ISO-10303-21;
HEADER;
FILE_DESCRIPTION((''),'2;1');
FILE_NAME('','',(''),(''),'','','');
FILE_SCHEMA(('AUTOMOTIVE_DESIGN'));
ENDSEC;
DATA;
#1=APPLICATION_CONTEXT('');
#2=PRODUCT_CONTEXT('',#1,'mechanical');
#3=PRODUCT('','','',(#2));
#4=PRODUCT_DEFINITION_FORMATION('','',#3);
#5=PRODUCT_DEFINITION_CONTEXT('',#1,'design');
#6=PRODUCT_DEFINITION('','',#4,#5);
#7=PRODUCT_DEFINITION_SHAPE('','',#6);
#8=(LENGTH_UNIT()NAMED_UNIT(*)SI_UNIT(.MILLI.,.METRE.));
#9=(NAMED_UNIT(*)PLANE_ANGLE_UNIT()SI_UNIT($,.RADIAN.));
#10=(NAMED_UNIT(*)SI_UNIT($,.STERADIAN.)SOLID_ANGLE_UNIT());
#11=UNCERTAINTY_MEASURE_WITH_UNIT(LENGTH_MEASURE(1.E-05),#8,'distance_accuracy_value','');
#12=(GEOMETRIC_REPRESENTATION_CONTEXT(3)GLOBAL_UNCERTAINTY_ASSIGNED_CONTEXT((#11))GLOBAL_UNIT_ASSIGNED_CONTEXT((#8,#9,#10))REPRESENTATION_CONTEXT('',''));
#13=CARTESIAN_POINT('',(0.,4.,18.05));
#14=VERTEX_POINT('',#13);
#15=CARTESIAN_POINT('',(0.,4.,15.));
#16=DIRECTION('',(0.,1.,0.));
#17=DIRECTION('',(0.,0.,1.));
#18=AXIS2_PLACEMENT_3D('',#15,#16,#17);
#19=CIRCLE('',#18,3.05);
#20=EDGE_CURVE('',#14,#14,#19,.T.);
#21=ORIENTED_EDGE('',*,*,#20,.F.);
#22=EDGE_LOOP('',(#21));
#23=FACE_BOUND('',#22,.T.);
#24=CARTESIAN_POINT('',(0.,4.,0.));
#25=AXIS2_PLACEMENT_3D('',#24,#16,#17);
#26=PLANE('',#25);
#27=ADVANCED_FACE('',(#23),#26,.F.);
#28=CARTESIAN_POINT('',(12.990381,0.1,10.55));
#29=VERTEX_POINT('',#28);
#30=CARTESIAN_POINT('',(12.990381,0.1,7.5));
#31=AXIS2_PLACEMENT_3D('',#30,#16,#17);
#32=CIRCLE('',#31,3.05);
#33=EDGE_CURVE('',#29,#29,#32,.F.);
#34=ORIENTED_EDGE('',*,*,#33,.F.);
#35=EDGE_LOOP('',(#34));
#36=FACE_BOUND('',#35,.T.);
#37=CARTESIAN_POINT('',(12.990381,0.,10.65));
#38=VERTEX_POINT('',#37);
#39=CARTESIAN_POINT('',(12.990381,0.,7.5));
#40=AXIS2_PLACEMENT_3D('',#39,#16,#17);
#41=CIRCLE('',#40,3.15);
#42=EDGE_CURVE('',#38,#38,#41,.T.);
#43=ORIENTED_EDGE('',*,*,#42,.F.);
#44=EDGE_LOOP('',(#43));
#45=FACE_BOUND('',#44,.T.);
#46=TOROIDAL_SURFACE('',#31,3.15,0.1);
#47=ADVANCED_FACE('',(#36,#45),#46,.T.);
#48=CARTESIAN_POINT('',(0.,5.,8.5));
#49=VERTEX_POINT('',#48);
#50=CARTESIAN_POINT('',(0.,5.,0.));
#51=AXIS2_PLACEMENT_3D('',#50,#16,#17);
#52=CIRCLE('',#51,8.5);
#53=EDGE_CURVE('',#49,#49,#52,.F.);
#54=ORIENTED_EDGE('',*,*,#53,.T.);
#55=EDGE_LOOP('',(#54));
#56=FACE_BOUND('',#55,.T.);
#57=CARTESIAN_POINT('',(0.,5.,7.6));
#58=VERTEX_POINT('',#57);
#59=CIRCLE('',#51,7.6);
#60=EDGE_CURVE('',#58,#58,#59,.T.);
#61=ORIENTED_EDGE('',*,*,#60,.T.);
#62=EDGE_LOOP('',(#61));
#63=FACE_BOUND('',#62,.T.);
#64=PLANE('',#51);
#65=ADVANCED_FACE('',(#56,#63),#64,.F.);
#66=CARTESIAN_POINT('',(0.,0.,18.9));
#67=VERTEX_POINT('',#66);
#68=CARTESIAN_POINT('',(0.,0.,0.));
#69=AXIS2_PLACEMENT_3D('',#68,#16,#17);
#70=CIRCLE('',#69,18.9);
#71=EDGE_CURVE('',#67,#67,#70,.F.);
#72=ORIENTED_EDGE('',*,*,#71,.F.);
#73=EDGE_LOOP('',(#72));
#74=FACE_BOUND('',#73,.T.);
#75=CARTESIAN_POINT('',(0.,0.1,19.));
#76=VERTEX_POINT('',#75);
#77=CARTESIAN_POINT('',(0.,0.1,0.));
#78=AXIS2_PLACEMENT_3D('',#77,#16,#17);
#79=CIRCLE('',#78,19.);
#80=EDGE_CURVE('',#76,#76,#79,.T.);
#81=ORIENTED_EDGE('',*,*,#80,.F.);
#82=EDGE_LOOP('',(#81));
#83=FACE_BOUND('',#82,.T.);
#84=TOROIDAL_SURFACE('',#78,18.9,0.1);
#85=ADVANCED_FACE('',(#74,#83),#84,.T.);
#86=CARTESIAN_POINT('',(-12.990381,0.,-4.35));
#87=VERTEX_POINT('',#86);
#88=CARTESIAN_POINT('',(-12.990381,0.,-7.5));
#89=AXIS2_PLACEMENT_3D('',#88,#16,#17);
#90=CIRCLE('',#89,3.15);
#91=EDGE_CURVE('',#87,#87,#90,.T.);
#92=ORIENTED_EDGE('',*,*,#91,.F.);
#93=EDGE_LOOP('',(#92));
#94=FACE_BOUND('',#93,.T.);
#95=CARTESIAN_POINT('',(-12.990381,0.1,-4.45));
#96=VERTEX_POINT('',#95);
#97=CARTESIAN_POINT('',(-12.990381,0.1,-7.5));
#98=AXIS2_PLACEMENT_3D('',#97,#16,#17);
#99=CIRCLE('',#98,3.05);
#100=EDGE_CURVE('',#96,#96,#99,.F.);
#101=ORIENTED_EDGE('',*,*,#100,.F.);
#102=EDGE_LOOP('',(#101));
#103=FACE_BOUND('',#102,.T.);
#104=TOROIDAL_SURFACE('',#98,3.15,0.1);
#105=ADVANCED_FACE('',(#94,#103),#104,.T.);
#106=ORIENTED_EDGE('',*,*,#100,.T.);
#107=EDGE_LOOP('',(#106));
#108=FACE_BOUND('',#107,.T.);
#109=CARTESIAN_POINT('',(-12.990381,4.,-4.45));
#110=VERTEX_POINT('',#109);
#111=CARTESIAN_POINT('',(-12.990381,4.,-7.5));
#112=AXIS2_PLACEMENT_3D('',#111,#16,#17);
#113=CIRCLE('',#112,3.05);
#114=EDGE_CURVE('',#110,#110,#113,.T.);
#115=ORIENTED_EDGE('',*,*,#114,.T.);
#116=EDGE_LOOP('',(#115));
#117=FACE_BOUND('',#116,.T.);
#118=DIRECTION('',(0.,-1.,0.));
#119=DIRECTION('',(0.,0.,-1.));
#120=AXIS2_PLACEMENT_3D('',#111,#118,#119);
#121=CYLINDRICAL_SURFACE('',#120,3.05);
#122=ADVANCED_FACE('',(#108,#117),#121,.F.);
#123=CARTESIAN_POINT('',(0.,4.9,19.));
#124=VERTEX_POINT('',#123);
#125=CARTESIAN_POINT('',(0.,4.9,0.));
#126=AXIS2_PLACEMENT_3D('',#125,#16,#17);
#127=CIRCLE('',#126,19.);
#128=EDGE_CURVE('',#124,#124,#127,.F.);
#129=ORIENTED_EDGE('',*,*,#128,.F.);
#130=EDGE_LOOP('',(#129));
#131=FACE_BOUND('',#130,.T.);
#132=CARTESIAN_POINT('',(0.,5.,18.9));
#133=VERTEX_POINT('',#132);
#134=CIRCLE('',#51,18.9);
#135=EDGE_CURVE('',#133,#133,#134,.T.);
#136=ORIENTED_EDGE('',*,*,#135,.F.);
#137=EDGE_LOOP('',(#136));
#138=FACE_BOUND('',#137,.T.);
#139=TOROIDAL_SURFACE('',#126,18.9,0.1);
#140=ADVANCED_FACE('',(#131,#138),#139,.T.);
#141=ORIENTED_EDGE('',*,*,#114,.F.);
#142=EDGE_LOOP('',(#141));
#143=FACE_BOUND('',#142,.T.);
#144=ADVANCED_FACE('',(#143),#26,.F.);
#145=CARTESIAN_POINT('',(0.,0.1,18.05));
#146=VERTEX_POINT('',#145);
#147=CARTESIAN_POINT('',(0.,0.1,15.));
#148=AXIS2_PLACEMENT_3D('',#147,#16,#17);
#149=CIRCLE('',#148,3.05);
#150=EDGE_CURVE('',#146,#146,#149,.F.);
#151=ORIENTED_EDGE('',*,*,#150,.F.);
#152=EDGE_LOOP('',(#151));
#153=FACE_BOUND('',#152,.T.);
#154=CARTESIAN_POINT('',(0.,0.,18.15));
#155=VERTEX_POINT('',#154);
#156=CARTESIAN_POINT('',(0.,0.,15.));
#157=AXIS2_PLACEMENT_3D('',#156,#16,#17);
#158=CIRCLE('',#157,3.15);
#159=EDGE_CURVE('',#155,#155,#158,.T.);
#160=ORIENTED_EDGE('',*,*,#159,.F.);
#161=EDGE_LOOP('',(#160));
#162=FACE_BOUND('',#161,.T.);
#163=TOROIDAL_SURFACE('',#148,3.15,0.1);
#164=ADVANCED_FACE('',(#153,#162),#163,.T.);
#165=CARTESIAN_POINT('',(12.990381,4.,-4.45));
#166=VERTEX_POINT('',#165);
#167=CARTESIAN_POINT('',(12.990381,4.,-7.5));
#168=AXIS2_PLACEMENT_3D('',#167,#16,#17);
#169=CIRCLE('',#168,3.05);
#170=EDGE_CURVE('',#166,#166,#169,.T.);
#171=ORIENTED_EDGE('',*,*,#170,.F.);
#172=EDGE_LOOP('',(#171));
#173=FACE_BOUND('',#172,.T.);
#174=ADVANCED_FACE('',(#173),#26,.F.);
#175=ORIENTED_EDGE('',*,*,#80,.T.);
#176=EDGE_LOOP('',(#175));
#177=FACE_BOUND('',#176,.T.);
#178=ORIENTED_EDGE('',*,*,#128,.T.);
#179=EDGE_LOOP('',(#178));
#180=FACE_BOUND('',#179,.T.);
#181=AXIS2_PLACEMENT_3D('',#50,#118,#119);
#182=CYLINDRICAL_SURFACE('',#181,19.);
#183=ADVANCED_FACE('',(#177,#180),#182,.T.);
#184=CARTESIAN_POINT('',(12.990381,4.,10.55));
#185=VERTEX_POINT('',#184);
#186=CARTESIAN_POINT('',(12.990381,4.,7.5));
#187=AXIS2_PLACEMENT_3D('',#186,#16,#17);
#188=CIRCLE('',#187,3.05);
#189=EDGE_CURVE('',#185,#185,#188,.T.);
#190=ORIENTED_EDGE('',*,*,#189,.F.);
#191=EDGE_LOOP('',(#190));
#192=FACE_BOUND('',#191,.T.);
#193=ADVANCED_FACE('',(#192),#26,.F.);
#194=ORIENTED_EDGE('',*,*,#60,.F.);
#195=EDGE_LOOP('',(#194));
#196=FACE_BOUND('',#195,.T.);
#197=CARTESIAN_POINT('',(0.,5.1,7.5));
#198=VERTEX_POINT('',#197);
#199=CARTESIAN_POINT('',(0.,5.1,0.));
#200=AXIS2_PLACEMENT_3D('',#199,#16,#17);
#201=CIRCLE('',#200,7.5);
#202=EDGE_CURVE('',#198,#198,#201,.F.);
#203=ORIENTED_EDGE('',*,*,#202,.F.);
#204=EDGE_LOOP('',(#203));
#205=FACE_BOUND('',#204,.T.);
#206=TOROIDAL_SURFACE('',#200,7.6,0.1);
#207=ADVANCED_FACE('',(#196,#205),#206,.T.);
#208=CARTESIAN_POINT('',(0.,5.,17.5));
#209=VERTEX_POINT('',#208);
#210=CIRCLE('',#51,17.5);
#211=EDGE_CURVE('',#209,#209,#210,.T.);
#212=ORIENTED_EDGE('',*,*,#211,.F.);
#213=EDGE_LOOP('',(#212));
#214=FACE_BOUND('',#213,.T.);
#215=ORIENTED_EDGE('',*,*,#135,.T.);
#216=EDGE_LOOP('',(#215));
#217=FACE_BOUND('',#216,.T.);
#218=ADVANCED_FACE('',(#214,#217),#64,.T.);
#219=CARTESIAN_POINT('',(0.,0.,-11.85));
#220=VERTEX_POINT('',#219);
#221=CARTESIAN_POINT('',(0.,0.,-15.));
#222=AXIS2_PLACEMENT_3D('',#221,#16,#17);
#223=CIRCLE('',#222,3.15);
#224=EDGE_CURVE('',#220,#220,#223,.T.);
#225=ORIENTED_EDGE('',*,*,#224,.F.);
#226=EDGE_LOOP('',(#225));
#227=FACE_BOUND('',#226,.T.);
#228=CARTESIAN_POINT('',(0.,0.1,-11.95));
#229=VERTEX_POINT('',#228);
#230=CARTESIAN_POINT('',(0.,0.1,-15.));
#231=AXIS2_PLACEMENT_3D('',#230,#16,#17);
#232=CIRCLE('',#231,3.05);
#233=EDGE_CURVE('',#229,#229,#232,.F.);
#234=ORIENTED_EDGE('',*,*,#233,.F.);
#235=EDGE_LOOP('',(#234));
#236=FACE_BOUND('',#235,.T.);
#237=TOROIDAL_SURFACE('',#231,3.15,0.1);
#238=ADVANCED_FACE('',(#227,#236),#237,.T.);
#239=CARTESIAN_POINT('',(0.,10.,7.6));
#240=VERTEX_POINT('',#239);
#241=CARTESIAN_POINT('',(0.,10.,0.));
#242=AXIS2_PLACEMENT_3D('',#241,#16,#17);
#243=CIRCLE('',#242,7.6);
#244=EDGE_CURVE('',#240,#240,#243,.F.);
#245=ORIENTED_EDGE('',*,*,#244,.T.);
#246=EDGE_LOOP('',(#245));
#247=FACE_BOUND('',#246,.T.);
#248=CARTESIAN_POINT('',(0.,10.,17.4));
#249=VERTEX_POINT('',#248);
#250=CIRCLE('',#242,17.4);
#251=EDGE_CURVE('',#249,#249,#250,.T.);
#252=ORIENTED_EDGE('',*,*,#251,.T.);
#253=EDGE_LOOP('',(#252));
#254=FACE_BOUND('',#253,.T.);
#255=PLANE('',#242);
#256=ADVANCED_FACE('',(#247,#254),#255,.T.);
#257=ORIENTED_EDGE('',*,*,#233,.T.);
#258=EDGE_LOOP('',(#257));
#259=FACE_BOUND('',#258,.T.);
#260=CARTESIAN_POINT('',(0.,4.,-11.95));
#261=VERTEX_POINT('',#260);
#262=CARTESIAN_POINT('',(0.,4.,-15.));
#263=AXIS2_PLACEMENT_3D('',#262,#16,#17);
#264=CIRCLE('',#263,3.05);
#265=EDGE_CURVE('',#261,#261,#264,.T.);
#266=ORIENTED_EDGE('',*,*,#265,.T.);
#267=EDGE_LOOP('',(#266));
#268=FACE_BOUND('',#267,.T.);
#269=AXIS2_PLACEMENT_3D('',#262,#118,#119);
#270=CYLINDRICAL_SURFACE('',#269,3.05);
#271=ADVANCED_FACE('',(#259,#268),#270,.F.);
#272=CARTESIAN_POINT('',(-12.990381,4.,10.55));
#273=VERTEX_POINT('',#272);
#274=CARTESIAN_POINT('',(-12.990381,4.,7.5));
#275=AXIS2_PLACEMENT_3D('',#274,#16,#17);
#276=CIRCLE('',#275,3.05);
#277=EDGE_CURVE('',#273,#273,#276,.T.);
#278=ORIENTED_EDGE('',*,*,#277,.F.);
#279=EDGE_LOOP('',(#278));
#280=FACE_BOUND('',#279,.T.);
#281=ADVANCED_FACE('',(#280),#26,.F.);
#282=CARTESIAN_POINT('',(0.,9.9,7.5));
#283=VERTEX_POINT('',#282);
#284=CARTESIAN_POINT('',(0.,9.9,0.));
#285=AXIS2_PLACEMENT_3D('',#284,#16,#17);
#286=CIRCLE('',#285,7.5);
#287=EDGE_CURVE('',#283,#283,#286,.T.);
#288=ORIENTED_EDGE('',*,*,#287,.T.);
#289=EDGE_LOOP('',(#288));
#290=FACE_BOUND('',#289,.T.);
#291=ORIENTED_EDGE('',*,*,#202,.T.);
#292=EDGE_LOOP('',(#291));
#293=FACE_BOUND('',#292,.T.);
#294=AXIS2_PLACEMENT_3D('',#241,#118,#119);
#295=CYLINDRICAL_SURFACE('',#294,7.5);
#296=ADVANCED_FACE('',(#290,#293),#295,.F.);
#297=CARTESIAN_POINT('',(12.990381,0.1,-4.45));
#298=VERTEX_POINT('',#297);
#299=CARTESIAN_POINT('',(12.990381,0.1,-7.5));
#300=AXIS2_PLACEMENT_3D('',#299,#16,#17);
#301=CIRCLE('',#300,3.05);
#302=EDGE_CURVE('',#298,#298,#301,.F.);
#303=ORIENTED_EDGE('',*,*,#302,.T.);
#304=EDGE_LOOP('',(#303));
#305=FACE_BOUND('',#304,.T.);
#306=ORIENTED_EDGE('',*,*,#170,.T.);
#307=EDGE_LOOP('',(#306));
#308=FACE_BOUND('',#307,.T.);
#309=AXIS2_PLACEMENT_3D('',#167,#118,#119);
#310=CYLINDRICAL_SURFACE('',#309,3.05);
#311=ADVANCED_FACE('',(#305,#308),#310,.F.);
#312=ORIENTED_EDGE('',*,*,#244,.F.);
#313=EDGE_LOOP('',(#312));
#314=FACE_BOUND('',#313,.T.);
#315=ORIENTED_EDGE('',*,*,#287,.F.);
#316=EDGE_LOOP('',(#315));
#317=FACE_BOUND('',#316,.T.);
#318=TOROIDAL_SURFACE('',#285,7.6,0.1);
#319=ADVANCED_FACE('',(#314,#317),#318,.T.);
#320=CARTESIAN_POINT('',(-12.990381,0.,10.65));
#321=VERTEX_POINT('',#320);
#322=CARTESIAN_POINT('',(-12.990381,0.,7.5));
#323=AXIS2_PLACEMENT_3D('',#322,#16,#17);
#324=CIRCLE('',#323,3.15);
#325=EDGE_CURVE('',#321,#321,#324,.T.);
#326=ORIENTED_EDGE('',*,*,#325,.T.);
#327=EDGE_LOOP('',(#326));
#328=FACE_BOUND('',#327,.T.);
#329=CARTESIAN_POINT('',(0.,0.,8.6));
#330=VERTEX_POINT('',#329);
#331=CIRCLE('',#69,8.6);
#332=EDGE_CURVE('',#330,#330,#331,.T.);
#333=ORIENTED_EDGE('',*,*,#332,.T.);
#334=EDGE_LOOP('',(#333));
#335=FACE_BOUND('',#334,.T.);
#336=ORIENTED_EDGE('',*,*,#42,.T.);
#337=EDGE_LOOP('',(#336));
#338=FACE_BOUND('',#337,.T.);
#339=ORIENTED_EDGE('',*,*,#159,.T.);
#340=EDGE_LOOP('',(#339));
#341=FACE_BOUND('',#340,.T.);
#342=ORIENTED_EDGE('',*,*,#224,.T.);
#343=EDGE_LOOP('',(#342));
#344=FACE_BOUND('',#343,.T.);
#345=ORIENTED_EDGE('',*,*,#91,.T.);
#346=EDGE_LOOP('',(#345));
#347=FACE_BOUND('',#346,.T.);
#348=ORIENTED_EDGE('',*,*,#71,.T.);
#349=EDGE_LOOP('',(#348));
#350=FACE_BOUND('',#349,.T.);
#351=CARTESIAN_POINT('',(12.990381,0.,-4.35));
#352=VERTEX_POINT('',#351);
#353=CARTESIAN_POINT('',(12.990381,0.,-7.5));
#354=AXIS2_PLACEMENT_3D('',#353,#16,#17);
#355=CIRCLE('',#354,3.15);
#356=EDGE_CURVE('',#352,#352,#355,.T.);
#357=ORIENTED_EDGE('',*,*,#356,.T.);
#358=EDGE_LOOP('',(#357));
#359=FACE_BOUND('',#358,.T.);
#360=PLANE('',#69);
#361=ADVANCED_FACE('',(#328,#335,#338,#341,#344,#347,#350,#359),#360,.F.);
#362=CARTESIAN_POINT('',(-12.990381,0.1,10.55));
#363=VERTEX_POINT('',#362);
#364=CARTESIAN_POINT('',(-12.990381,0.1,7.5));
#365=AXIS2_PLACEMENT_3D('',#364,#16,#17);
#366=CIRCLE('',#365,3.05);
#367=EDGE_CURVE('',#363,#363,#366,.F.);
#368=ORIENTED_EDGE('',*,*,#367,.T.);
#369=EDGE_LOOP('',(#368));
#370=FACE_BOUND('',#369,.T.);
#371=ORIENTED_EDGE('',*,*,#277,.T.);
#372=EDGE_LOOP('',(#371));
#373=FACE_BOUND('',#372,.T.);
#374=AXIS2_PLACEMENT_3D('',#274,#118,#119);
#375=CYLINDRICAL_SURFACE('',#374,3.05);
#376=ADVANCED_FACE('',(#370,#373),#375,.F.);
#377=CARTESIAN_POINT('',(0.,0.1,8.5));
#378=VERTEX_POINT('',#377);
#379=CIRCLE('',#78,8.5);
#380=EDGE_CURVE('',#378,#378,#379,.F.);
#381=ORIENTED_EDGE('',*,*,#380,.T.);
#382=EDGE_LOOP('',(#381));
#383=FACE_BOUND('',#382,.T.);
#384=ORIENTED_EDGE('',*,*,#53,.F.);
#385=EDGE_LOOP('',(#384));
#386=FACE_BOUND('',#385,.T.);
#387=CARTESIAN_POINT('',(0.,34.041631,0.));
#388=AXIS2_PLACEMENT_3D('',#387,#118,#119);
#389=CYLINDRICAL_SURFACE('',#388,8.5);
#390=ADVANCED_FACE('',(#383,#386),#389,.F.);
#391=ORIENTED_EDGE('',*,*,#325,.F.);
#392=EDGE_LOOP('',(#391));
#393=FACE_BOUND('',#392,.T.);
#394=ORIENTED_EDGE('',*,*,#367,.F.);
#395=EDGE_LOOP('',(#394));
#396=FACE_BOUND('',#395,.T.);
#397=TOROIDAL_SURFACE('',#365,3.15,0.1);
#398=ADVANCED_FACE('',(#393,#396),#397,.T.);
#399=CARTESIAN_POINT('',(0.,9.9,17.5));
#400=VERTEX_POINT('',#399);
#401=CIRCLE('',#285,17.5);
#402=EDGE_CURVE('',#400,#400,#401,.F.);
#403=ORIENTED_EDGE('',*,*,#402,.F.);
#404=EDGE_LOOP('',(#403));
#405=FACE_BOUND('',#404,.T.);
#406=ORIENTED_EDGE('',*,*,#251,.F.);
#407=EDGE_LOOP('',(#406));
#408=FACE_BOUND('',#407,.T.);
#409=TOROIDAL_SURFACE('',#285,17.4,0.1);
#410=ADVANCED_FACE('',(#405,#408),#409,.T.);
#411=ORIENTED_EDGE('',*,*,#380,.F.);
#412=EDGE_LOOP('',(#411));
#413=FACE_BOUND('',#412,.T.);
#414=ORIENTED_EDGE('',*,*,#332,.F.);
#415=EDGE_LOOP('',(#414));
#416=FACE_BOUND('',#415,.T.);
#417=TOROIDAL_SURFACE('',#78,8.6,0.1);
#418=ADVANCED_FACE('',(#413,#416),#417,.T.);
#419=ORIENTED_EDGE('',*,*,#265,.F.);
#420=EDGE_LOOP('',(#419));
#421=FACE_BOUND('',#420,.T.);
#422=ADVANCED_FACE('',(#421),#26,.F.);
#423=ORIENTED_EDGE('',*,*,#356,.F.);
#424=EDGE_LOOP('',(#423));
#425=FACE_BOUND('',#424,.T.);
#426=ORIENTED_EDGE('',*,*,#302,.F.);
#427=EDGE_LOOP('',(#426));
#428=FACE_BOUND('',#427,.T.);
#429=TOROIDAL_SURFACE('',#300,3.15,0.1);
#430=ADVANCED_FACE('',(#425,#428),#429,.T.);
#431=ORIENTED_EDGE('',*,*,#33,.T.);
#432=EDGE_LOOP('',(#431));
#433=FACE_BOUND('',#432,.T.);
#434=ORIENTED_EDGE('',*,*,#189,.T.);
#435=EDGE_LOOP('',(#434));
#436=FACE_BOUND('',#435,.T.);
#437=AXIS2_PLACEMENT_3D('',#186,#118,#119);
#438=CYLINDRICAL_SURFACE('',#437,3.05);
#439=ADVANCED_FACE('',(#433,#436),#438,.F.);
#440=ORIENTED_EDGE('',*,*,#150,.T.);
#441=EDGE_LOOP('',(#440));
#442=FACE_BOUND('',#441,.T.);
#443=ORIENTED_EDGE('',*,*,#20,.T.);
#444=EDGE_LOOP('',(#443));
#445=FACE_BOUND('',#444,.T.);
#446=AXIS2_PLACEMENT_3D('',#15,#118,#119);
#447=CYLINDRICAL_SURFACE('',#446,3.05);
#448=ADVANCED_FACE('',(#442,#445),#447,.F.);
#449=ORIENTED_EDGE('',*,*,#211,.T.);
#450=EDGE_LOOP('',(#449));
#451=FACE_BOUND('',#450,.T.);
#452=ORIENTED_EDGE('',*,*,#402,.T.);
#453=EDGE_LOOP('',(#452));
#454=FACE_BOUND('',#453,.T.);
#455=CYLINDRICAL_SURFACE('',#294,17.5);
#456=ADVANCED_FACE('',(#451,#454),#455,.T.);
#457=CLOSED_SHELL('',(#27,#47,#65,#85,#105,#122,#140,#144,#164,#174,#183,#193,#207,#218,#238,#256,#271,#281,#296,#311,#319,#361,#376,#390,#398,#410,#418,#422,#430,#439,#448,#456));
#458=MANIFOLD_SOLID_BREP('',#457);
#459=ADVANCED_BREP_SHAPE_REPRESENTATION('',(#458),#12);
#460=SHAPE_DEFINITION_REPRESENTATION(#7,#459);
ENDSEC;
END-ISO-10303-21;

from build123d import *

# Parameters (mm, degrees)
SKETCH_1_R          = 19
EXTRUDE_1_DEPTH     = 5
SKETCH_1_3_R        = 3.05
CUT_EXTRUDE_1_DEPTH = 4
SKETCH_5_R          = 17.5
SKETCH_5_R_2        = 7.5
EXTRUDE_3_DEPTH     = 5
SKETCH_8_R          = 8.5
CUT_EXTRUDE_4_DEPTH = 5
FILLET_1_R          = 0.1


with BuildPart() as part:
    # 草图1 → 凸台-拉伸1 (new body)
    with BuildSketch(Plane(origin=(0, 0, 0), x_dir=(1, 0, 0), z_dir=(0, 1, 0))):
        with Locations(Location((0, 0, 0), (0, 0, 270))):
            Circle(SKETCH_1_R)
    extrude(amount=EXTRUDE_1_DEPTH)

    # 草图1<3> → 切除-拉伸1 (cut)
    with BuildSketch(Plane(origin=(0, 0, 0), x_dir=(1, 0, 0), z_dir=(0, 1, 0))):
        with Locations(Location((-12.990381057, 7.5, 0), (0, 0, 270))):
            Circle(SKETCH_1_3_R)
        with Locations(Location((-12.990381057, -7.5, 0), (0, 0, 270))):
            Circle(SKETCH_1_3_R)
        with Locations(Location((0, -15, 0), (0, 0, 270))):
            Circle(SKETCH_1_3_R)
        with Locations(Location((12.990381057, -7.5, 0), (0, 0, 270))):
            Circle(SKETCH_1_3_R)
        with Locations(Location((12.990381057, 7.5, 0), (0, 0, 270))):
            Circle(SKETCH_1_3_R)
        with Locations(Location((0, 15, 0), (0, 0, 270))):
            Circle(SKETCH_1_3_R)
    extrude(amount=CUT_EXTRUDE_1_DEPTH, mode=Mode.SUBTRACT)

    # 草图5 → 凸台-拉伸3 (add)
    with BuildSketch(Plane(origin=(0, 5, 0), x_dir=(1, 0, 0), z_dir=(0, 1, 0))):
        with Locations(Location((0, 0, 0), (0, 0, 270))):
            Circle(SKETCH_5_R)
        with Locations(Location((0, 0, 0), (0, 0, 270))):
            Circle(SKETCH_5_R_2, mode=Mode.SUBTRACT)
    extrude(amount=EXTRUDE_3_DEPTH)

    # 草图8 → 切除-拉伸4 (cut)
    with BuildSketch(Plane.XZ):
        with Locations(Location((0, 0, 0), (0, 0, 270))):
            Circle(SKETCH_8_R)
    extrude(amount=-CUT_EXTRUDE_4_DEPTH, mode=Mode.SUBTRACT)

    # 圆角1
    fillet_1_edges = [part.edges().sort_by_distance(p)[0] for p in [
        (0, 0, -18.05),
        (12.990381057, 0, -10.55),
        (12.990381057, 0, 4.45),
        (0, 0, 11.95),
        (-12.990381057, 0, 4.45),
        (-12.990381057, 0, -10.55),
        (0, 0, -19),
        (0, 10, -17.5),
        (0, 10, -7.5),
        (0, 5, -7.5),
        (0, 0, 8.5),
        (0, 5, -19),
    ]]
    fillet(fillet_1_edges, radius=FILLET_1_R)


solid = part.part
